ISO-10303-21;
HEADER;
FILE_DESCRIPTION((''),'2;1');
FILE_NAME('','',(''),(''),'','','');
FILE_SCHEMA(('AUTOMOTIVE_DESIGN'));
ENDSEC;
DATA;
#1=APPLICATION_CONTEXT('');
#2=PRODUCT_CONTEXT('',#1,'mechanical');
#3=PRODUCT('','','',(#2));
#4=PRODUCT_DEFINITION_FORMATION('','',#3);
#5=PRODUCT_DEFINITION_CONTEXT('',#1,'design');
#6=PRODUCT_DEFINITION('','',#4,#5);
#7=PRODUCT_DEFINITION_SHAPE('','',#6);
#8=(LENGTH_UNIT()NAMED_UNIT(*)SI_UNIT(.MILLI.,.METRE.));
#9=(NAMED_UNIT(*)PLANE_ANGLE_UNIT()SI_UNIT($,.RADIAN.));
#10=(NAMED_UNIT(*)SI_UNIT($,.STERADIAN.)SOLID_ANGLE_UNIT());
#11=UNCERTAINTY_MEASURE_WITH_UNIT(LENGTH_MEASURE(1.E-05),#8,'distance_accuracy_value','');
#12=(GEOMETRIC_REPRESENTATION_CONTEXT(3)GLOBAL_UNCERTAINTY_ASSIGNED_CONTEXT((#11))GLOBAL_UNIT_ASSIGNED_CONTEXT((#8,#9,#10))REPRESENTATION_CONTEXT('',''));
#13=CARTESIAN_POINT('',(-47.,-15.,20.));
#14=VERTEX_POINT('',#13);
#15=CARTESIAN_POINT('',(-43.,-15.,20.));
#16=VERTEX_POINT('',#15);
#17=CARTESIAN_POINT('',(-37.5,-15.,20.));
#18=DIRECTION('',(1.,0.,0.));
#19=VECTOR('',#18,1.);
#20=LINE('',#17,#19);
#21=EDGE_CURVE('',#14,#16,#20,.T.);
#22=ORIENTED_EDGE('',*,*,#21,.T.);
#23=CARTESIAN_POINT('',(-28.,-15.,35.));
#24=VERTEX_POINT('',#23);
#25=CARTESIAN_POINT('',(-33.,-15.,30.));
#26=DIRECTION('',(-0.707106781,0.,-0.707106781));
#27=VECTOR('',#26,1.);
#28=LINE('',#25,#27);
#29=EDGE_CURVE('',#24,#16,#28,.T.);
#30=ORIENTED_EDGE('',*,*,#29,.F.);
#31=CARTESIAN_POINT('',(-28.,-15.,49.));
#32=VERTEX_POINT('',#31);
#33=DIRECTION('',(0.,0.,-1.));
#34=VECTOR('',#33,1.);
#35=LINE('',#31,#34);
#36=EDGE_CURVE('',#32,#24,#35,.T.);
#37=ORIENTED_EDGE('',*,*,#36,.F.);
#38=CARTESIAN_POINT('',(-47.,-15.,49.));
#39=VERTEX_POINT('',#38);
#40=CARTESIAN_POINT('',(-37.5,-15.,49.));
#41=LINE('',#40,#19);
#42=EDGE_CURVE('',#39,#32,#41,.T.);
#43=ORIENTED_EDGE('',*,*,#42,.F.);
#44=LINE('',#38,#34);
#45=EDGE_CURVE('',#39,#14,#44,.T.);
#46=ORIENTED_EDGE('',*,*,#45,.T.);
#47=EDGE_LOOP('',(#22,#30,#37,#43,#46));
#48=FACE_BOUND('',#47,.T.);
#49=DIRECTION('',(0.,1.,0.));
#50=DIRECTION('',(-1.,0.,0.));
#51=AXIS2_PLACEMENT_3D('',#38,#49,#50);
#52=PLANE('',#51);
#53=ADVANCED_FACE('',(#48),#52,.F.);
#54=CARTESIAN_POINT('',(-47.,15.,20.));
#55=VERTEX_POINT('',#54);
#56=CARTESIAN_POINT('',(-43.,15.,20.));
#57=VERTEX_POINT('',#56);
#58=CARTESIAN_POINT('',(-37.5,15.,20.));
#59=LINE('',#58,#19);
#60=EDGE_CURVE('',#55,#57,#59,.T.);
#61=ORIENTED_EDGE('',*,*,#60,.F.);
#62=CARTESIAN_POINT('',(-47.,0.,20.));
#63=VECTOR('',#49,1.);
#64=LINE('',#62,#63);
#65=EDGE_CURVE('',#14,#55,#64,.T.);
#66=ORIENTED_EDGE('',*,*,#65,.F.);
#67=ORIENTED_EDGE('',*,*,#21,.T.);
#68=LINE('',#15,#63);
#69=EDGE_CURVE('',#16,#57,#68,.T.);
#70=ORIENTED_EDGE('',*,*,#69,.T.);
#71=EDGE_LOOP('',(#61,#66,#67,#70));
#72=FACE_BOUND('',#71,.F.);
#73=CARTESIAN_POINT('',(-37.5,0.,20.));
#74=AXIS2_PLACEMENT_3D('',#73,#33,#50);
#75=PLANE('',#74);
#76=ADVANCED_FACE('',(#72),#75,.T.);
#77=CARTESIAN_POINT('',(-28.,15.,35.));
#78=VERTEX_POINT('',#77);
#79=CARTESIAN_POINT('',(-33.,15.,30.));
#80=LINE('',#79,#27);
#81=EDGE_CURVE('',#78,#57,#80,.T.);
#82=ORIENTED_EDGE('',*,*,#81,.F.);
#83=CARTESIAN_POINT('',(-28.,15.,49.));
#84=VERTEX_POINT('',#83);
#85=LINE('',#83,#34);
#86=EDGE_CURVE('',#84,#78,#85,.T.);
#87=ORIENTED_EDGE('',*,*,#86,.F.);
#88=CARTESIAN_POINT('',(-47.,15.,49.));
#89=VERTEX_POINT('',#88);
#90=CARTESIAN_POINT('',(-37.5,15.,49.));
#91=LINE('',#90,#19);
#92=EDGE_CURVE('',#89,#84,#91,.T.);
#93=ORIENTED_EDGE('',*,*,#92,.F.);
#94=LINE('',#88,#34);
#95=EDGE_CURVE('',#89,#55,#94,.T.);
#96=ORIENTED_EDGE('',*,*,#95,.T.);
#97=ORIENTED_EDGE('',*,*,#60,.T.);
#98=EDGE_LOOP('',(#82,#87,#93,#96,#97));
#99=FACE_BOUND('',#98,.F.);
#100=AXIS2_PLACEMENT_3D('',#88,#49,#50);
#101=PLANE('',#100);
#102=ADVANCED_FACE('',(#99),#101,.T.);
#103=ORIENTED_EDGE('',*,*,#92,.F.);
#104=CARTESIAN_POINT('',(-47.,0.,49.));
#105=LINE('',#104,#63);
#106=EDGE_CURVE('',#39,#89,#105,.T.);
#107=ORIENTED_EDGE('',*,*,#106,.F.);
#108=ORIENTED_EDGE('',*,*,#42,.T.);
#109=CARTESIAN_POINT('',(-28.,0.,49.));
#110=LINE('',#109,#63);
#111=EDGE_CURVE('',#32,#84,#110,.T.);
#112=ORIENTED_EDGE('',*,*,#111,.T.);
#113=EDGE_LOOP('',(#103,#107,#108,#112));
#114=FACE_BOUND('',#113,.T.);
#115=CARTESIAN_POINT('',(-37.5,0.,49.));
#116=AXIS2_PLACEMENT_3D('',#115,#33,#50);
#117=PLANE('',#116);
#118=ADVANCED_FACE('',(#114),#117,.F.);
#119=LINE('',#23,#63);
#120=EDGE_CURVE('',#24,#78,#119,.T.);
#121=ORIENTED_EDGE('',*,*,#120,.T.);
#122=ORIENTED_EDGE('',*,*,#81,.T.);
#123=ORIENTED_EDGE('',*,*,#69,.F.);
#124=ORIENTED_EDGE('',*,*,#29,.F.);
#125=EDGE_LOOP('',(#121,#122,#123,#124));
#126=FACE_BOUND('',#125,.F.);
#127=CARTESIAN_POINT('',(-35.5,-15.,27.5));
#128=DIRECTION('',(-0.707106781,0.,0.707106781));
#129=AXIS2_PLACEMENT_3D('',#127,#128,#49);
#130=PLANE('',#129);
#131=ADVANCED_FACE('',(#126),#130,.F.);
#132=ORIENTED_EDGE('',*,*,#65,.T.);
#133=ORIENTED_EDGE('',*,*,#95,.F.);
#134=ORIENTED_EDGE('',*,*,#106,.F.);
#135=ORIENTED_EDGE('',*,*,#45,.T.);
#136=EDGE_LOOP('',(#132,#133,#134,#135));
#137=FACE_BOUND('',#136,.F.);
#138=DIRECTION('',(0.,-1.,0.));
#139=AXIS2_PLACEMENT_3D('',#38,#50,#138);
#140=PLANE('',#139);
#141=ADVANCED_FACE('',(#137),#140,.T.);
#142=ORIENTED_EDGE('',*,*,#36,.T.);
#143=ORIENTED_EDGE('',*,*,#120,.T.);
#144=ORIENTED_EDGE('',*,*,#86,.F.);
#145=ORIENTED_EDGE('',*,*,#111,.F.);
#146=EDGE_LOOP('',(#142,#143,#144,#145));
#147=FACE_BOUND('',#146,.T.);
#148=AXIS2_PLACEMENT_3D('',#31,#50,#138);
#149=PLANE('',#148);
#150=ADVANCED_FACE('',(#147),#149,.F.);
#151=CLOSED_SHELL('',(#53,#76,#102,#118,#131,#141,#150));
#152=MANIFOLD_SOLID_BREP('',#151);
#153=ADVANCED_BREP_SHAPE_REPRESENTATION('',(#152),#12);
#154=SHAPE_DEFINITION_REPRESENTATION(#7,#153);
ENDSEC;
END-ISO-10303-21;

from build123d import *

# Parameters (mm, degrees)
BOX112015002017004005_W     = 19
BOX112015002017004005_H     = 30
BOX112015002017004005_DEPTH = 29
CHAMFER005_SIZE             = 15


with BuildPart() as chamfer005:
    # Box112015002017004005 → Box112015002017004005 (new body)
    with BuildSketch(Plane(origin=(-47, -15, -15), x_dir=(1, 0, 0), z_dir=(0, 0, 1))):
        with Locations((9.5, 15)):
            Rectangle(BOX112015002017004005_W, BOX112015002017004005_H)
    extrude(amount=BOX112015002017004005_DEPTH)

    # Chamfer005
    chamfer005_edges = [chamfer005.edges().sort_by_distance(p)[0] for p in [
        (-28, 0, 14),
    ]]
    chamfer(chamfer005_edges, length=CHAMFER005_SIZE)


with BuildPart() as chamfer005_1:
    # Chamfer005 placement: moved
    add(chamfer005.part.moved(Location((0, 0, 6))))


with BuildPart() as part_mirroring005:
    # Part__Mirroring005: instance of Chamfer005
    add(chamfer005_1.part.mirror(Plane(origin=(0, 0, 20), x_dir=(0, 1, 0), z_dir=(0, 0, 1))))


solid = part_mirroring005.part
